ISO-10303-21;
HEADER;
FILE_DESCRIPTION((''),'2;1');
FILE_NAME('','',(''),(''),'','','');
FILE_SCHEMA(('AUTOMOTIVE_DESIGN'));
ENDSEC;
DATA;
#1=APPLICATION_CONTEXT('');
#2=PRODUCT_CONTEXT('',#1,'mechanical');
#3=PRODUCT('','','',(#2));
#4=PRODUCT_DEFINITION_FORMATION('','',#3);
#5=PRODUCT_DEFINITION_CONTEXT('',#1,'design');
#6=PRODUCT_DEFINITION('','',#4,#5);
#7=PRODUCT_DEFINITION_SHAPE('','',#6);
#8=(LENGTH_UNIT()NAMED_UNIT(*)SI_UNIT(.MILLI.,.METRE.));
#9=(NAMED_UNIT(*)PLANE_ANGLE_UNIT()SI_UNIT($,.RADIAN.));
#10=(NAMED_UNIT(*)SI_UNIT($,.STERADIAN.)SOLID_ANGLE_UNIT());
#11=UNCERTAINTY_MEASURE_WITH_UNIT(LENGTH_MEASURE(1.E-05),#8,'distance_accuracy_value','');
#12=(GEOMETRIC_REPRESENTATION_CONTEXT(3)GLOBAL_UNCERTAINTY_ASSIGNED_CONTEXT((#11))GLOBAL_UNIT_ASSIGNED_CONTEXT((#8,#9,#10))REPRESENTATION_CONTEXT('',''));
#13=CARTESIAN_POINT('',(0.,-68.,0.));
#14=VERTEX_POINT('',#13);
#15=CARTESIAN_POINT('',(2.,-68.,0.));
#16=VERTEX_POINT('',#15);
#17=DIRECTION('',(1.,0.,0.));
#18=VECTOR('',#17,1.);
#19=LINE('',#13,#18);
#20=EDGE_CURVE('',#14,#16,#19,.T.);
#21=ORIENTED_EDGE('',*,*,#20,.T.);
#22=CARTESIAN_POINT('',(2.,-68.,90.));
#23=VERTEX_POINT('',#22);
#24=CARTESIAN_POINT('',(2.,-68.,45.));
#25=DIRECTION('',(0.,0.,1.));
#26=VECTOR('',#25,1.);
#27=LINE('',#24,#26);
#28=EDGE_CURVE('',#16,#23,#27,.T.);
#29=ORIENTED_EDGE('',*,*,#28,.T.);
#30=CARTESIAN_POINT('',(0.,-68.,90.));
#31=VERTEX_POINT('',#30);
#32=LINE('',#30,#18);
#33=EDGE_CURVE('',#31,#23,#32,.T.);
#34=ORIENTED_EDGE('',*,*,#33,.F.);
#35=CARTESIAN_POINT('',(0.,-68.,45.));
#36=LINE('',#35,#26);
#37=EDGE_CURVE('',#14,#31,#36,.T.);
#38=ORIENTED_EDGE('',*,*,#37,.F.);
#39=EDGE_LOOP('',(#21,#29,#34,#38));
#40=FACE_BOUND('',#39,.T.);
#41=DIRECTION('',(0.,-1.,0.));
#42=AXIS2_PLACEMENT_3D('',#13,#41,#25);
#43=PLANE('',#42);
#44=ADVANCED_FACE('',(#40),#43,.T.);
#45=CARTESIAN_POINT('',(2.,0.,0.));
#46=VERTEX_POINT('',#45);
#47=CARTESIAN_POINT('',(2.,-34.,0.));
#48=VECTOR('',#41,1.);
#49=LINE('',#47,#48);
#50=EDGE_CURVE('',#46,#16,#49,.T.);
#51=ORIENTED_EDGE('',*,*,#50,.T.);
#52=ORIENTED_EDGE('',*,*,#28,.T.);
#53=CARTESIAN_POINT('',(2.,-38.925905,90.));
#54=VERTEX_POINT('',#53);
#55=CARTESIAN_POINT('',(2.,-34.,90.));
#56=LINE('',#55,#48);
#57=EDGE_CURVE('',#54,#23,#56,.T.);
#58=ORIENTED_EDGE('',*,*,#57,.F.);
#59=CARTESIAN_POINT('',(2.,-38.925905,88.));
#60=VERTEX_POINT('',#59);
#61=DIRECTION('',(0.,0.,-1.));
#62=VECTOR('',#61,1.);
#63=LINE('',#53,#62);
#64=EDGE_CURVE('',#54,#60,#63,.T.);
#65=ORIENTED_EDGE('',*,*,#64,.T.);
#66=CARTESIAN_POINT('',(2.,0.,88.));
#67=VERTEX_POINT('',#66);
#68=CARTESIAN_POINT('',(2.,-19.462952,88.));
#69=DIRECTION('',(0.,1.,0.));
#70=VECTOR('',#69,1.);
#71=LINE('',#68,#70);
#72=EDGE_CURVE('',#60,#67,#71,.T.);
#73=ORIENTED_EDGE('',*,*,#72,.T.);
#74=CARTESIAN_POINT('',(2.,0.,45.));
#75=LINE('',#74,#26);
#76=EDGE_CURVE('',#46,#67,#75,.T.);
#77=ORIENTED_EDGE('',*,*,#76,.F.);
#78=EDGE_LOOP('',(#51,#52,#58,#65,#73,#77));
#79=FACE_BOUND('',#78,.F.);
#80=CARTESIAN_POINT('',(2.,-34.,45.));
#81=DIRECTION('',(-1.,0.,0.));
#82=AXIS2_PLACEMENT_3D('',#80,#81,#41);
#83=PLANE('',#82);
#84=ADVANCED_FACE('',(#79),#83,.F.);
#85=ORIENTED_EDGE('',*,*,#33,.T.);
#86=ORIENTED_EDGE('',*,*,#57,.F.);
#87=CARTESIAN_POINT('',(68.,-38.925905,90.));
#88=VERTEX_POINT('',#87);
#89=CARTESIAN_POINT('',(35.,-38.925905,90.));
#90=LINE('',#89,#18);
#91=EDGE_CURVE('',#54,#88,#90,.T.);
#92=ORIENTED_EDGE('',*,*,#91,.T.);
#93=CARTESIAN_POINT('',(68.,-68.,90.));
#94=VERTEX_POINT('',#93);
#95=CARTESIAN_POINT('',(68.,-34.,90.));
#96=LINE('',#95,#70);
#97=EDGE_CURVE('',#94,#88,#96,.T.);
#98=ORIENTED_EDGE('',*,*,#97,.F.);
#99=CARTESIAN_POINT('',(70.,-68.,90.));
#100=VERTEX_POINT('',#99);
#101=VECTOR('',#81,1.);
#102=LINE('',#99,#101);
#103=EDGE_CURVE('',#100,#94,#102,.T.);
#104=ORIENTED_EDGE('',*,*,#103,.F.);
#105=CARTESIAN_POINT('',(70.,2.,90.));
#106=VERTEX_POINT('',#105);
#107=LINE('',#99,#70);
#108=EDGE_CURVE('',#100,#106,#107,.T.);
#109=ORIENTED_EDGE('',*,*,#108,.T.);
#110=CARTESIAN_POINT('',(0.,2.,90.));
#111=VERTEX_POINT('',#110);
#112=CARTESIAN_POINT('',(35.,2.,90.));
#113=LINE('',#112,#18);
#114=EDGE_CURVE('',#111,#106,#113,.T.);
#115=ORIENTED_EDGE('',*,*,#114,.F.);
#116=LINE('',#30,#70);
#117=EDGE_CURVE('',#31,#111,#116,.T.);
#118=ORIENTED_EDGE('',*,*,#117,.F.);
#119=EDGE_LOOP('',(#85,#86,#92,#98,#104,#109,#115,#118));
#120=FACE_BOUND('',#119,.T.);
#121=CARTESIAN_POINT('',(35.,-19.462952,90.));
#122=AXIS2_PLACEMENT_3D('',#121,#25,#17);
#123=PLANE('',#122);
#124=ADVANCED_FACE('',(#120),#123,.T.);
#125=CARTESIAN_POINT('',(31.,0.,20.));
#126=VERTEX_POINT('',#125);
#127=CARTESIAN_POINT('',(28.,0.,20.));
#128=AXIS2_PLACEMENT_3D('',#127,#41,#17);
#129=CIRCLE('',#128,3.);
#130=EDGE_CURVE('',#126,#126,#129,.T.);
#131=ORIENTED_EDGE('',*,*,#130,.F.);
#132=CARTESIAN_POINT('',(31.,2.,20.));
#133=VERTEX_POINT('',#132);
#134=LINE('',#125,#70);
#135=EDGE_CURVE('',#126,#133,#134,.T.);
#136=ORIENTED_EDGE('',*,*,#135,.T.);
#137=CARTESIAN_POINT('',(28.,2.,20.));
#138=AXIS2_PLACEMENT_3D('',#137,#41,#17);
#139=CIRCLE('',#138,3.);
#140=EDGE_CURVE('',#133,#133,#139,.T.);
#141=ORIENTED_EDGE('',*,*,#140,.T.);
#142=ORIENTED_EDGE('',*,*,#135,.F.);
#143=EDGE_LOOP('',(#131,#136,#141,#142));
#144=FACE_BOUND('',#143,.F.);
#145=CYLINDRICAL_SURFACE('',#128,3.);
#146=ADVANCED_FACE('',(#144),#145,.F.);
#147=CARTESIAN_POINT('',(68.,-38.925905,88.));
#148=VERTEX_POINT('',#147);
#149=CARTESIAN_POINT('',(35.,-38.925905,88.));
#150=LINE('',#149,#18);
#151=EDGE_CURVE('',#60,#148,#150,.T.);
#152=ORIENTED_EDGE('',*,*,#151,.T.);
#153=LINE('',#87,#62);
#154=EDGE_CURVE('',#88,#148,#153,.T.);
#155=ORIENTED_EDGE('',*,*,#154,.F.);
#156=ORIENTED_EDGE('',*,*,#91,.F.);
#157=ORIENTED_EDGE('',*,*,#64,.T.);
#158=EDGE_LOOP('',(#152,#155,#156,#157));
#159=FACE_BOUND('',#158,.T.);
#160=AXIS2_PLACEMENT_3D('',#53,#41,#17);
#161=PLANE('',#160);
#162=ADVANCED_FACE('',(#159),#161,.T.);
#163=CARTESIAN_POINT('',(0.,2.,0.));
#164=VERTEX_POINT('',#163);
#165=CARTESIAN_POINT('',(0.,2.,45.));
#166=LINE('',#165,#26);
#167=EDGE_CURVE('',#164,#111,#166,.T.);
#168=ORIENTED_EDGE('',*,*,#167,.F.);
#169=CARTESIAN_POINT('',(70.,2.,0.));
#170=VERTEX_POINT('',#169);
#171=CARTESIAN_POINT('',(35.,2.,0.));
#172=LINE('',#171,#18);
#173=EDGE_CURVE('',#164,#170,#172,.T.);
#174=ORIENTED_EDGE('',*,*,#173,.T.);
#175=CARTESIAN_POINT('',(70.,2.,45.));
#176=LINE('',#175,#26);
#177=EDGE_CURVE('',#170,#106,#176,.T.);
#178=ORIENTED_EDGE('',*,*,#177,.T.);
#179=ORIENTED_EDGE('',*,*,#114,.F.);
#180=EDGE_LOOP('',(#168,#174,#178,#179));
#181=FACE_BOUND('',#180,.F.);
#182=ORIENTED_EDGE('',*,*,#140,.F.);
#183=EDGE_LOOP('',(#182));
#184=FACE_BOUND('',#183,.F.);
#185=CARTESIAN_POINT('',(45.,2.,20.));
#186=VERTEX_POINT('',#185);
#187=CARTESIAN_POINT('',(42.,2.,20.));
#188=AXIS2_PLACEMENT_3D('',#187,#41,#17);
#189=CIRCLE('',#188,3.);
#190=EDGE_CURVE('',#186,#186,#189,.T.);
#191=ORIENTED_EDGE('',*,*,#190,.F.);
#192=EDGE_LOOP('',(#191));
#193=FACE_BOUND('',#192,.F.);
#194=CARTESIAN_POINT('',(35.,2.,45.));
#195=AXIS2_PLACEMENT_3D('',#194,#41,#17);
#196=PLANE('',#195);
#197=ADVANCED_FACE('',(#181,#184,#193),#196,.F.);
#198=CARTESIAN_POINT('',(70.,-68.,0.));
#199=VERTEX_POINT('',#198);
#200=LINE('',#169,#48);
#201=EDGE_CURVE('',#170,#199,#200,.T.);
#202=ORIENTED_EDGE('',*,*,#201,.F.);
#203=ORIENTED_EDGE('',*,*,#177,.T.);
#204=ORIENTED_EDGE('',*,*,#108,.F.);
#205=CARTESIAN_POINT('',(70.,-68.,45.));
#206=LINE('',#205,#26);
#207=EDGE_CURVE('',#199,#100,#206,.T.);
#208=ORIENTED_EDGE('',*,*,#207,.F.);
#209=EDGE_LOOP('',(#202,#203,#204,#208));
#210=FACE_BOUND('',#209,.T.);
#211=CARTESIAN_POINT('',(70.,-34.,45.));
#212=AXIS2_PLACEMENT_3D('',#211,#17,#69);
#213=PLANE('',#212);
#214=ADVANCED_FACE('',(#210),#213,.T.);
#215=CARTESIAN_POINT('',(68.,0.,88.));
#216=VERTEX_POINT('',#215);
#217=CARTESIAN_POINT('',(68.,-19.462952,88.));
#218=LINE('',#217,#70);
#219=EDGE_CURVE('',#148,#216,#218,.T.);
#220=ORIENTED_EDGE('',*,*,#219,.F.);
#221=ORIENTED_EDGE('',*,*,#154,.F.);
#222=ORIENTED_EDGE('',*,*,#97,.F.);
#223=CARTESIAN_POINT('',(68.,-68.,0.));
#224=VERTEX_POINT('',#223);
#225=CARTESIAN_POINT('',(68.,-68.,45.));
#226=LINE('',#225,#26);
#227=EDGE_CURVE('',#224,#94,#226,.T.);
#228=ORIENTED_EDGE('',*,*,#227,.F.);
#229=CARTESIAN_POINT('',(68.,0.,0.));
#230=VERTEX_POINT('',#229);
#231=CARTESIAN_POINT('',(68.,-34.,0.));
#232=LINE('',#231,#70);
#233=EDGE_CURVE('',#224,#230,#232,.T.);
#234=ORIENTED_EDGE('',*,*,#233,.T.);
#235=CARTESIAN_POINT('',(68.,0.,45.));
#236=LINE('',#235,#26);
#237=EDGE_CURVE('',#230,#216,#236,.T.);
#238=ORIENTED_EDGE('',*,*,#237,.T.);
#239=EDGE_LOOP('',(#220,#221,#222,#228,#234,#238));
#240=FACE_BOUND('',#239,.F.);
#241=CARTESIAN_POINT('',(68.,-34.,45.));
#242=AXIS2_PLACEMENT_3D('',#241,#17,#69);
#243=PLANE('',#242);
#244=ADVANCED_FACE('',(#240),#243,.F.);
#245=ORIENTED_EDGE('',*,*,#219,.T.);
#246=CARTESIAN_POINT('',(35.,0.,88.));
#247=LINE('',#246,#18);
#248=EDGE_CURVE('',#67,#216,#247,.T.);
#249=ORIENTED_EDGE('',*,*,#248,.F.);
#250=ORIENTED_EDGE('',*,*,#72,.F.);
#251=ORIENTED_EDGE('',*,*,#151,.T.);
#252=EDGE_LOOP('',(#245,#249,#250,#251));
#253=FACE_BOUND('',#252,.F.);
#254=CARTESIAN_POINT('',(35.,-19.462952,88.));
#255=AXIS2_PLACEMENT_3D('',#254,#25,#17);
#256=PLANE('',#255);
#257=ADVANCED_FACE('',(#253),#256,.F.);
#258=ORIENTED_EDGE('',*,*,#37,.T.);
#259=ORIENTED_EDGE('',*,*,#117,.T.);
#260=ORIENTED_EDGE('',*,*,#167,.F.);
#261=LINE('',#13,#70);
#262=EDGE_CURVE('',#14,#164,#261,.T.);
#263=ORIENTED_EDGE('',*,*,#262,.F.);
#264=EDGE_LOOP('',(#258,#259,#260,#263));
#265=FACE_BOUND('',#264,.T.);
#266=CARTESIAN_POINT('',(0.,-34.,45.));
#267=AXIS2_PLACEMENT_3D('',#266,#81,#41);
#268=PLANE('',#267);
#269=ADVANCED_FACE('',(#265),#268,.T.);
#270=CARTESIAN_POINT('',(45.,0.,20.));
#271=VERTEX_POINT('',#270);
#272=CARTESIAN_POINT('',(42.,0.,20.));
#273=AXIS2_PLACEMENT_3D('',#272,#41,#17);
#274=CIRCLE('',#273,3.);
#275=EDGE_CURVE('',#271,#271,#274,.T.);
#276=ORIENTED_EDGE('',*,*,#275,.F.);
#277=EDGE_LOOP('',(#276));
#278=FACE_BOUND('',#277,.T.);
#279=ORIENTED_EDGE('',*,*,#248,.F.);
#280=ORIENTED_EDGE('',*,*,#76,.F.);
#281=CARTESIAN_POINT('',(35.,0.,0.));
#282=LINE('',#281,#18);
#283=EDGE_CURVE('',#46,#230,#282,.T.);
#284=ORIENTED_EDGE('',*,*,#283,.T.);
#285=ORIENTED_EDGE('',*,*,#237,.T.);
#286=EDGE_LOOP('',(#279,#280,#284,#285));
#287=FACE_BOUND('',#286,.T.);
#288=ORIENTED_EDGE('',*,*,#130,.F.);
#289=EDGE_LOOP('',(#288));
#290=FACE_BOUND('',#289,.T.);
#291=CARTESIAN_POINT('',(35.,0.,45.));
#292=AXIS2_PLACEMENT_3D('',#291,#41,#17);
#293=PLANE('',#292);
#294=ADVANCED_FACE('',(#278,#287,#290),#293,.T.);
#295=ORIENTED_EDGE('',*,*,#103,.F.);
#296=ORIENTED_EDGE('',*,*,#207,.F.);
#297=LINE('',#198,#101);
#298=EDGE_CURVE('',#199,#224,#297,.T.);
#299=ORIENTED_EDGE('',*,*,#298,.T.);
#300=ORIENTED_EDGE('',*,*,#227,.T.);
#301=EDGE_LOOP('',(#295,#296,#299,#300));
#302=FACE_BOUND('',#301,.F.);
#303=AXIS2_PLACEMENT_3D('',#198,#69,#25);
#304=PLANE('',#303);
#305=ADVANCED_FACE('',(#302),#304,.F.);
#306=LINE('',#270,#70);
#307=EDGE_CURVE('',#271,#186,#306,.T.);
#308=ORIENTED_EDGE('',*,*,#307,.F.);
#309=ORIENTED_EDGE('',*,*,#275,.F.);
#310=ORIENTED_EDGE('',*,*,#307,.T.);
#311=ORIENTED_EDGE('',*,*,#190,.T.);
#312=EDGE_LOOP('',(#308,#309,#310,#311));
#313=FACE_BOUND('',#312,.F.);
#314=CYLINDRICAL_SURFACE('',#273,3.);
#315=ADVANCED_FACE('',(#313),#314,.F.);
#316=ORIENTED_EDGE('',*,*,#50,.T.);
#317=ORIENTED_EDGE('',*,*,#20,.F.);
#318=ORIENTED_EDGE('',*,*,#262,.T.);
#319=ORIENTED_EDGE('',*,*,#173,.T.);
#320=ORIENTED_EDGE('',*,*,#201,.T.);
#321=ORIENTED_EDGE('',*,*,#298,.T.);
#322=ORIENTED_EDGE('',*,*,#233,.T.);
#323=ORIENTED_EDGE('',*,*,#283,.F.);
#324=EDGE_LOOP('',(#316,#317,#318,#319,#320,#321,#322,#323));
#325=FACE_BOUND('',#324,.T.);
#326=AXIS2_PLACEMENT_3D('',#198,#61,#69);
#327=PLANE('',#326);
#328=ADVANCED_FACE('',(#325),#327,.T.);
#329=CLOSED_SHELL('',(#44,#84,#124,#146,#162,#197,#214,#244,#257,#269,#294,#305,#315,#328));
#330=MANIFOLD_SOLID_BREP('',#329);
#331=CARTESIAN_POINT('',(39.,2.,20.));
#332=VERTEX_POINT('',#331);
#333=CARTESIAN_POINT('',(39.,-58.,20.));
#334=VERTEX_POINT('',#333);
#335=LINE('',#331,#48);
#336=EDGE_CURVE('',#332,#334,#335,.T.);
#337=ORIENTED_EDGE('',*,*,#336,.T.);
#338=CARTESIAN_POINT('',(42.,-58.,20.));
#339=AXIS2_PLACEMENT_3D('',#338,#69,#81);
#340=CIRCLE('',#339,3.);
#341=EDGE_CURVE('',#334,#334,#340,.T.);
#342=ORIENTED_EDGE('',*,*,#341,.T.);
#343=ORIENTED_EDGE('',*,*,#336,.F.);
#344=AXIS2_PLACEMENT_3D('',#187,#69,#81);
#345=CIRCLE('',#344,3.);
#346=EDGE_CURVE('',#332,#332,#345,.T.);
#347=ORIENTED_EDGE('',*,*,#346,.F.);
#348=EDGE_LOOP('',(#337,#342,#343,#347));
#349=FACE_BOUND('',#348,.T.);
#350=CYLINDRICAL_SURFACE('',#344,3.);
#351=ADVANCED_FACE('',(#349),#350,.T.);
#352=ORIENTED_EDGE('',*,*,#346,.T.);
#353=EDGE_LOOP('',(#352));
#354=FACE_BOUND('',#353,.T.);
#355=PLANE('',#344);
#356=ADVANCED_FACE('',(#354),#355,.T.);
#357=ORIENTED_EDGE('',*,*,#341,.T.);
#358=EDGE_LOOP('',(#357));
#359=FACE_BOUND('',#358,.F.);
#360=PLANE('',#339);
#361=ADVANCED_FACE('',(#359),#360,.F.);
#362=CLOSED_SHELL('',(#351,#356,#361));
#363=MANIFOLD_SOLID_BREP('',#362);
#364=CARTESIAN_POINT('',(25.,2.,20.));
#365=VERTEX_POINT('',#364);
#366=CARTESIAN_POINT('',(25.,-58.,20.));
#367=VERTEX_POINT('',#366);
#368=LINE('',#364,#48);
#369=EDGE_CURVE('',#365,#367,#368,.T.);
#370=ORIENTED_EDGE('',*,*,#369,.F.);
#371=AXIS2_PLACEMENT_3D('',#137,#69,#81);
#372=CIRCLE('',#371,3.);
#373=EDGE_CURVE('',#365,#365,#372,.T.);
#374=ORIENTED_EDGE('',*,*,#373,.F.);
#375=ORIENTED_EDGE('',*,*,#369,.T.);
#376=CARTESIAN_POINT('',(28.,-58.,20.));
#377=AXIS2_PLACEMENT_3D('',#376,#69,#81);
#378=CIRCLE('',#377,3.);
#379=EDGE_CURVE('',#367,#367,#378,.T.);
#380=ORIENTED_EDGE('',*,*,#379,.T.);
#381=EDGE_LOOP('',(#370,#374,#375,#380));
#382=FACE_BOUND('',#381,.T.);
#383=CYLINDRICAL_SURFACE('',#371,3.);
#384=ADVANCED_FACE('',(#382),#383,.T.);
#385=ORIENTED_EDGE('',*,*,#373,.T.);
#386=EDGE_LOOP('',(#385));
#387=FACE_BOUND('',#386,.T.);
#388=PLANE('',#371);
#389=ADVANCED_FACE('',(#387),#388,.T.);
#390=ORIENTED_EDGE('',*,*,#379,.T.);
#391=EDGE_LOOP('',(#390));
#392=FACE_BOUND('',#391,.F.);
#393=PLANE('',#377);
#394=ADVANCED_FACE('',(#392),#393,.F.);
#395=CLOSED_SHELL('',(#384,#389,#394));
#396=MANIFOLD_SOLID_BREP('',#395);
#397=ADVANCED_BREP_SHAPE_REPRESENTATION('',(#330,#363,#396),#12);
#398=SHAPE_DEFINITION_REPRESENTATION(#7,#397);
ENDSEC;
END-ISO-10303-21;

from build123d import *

# Parameters (mm, degrees)
F0_W     = 70
F0_H     = 90
F0_R     = 3
F1_DEPTH = 2
F2_W     = 68
F2_H     = 90
F3_DEPTH = 2
F4_W     = 68
F4_H     = 90
F5_DEPTH = 2
F6_W     = 66
F6_H     = 38.9259047806
F7_DEPTH = 2
F8_R     = 3
F9_DEPTH = 60


with BuildPart() as f1:
    # F0 (on Front) → F1 (new body)
    with BuildSketch(Plane.XZ):
        with Locations((35, 45)):
            Rectangle(F0_W, F0_H)
        with Locations((28, 20)):
            Circle(F0_R, mode=Mode.SUBTRACT)
        with Locations((42, 20)):
            Circle(F0_R, mode=Mode.SUBTRACT)
    extrude(amount=-F1_DEPTH)

    # F2 (on face) → F3 (join)
    with BuildSketch(Plane(origin=(0, 0, 0), x_dir=(0, -1, 0), z_dir=(-1, 0, 0))):
        with Locations((34, 45)):
            Rectangle(F2_W, F2_H)
    extrude(amount=-F3_DEPTH)

    # F4 (on face) → F5 (join)
    with BuildSketch(Plane.YZ.offset(70)):
        with Locations((-34, 45)):
            Rectangle(F4_W, F4_H)
    extrude(amount=-F5_DEPTH)

    # F6 (on face) → F7 (join)
    with BuildSketch(Plane.XY.offset(90)):
        with Locations((35, -19.4629523903)):
            Rectangle(F6_W, F6_H)
    extrude(amount=-F7_DEPTH)


with BuildPart() as f9:
    # F8 (on face) → F9 (new body)
    with BuildSketch(Plane(origin=(0, 2, 0), x_dir=(-1, 0, 0), z_dir=(0, 1, 0))):
        with Locations((-42, 20)):
            Circle(F8_R)
    extrude(amount=-F9_DEPTH)


with BuildPart() as f9b:
    # F8 (on face) → F9, piece 2 (new body)
    with BuildSketch(Plane(origin=(0, 2, 0), x_dir=(-1, 0, 0), z_dir=(0, 1, 0))):
        with Locations((-28, 20)):
            Circle(F8_R)
    extrude(amount=-F9_DEPTH)


solid = Compound([f1.part, f9.part, f9b.part])
